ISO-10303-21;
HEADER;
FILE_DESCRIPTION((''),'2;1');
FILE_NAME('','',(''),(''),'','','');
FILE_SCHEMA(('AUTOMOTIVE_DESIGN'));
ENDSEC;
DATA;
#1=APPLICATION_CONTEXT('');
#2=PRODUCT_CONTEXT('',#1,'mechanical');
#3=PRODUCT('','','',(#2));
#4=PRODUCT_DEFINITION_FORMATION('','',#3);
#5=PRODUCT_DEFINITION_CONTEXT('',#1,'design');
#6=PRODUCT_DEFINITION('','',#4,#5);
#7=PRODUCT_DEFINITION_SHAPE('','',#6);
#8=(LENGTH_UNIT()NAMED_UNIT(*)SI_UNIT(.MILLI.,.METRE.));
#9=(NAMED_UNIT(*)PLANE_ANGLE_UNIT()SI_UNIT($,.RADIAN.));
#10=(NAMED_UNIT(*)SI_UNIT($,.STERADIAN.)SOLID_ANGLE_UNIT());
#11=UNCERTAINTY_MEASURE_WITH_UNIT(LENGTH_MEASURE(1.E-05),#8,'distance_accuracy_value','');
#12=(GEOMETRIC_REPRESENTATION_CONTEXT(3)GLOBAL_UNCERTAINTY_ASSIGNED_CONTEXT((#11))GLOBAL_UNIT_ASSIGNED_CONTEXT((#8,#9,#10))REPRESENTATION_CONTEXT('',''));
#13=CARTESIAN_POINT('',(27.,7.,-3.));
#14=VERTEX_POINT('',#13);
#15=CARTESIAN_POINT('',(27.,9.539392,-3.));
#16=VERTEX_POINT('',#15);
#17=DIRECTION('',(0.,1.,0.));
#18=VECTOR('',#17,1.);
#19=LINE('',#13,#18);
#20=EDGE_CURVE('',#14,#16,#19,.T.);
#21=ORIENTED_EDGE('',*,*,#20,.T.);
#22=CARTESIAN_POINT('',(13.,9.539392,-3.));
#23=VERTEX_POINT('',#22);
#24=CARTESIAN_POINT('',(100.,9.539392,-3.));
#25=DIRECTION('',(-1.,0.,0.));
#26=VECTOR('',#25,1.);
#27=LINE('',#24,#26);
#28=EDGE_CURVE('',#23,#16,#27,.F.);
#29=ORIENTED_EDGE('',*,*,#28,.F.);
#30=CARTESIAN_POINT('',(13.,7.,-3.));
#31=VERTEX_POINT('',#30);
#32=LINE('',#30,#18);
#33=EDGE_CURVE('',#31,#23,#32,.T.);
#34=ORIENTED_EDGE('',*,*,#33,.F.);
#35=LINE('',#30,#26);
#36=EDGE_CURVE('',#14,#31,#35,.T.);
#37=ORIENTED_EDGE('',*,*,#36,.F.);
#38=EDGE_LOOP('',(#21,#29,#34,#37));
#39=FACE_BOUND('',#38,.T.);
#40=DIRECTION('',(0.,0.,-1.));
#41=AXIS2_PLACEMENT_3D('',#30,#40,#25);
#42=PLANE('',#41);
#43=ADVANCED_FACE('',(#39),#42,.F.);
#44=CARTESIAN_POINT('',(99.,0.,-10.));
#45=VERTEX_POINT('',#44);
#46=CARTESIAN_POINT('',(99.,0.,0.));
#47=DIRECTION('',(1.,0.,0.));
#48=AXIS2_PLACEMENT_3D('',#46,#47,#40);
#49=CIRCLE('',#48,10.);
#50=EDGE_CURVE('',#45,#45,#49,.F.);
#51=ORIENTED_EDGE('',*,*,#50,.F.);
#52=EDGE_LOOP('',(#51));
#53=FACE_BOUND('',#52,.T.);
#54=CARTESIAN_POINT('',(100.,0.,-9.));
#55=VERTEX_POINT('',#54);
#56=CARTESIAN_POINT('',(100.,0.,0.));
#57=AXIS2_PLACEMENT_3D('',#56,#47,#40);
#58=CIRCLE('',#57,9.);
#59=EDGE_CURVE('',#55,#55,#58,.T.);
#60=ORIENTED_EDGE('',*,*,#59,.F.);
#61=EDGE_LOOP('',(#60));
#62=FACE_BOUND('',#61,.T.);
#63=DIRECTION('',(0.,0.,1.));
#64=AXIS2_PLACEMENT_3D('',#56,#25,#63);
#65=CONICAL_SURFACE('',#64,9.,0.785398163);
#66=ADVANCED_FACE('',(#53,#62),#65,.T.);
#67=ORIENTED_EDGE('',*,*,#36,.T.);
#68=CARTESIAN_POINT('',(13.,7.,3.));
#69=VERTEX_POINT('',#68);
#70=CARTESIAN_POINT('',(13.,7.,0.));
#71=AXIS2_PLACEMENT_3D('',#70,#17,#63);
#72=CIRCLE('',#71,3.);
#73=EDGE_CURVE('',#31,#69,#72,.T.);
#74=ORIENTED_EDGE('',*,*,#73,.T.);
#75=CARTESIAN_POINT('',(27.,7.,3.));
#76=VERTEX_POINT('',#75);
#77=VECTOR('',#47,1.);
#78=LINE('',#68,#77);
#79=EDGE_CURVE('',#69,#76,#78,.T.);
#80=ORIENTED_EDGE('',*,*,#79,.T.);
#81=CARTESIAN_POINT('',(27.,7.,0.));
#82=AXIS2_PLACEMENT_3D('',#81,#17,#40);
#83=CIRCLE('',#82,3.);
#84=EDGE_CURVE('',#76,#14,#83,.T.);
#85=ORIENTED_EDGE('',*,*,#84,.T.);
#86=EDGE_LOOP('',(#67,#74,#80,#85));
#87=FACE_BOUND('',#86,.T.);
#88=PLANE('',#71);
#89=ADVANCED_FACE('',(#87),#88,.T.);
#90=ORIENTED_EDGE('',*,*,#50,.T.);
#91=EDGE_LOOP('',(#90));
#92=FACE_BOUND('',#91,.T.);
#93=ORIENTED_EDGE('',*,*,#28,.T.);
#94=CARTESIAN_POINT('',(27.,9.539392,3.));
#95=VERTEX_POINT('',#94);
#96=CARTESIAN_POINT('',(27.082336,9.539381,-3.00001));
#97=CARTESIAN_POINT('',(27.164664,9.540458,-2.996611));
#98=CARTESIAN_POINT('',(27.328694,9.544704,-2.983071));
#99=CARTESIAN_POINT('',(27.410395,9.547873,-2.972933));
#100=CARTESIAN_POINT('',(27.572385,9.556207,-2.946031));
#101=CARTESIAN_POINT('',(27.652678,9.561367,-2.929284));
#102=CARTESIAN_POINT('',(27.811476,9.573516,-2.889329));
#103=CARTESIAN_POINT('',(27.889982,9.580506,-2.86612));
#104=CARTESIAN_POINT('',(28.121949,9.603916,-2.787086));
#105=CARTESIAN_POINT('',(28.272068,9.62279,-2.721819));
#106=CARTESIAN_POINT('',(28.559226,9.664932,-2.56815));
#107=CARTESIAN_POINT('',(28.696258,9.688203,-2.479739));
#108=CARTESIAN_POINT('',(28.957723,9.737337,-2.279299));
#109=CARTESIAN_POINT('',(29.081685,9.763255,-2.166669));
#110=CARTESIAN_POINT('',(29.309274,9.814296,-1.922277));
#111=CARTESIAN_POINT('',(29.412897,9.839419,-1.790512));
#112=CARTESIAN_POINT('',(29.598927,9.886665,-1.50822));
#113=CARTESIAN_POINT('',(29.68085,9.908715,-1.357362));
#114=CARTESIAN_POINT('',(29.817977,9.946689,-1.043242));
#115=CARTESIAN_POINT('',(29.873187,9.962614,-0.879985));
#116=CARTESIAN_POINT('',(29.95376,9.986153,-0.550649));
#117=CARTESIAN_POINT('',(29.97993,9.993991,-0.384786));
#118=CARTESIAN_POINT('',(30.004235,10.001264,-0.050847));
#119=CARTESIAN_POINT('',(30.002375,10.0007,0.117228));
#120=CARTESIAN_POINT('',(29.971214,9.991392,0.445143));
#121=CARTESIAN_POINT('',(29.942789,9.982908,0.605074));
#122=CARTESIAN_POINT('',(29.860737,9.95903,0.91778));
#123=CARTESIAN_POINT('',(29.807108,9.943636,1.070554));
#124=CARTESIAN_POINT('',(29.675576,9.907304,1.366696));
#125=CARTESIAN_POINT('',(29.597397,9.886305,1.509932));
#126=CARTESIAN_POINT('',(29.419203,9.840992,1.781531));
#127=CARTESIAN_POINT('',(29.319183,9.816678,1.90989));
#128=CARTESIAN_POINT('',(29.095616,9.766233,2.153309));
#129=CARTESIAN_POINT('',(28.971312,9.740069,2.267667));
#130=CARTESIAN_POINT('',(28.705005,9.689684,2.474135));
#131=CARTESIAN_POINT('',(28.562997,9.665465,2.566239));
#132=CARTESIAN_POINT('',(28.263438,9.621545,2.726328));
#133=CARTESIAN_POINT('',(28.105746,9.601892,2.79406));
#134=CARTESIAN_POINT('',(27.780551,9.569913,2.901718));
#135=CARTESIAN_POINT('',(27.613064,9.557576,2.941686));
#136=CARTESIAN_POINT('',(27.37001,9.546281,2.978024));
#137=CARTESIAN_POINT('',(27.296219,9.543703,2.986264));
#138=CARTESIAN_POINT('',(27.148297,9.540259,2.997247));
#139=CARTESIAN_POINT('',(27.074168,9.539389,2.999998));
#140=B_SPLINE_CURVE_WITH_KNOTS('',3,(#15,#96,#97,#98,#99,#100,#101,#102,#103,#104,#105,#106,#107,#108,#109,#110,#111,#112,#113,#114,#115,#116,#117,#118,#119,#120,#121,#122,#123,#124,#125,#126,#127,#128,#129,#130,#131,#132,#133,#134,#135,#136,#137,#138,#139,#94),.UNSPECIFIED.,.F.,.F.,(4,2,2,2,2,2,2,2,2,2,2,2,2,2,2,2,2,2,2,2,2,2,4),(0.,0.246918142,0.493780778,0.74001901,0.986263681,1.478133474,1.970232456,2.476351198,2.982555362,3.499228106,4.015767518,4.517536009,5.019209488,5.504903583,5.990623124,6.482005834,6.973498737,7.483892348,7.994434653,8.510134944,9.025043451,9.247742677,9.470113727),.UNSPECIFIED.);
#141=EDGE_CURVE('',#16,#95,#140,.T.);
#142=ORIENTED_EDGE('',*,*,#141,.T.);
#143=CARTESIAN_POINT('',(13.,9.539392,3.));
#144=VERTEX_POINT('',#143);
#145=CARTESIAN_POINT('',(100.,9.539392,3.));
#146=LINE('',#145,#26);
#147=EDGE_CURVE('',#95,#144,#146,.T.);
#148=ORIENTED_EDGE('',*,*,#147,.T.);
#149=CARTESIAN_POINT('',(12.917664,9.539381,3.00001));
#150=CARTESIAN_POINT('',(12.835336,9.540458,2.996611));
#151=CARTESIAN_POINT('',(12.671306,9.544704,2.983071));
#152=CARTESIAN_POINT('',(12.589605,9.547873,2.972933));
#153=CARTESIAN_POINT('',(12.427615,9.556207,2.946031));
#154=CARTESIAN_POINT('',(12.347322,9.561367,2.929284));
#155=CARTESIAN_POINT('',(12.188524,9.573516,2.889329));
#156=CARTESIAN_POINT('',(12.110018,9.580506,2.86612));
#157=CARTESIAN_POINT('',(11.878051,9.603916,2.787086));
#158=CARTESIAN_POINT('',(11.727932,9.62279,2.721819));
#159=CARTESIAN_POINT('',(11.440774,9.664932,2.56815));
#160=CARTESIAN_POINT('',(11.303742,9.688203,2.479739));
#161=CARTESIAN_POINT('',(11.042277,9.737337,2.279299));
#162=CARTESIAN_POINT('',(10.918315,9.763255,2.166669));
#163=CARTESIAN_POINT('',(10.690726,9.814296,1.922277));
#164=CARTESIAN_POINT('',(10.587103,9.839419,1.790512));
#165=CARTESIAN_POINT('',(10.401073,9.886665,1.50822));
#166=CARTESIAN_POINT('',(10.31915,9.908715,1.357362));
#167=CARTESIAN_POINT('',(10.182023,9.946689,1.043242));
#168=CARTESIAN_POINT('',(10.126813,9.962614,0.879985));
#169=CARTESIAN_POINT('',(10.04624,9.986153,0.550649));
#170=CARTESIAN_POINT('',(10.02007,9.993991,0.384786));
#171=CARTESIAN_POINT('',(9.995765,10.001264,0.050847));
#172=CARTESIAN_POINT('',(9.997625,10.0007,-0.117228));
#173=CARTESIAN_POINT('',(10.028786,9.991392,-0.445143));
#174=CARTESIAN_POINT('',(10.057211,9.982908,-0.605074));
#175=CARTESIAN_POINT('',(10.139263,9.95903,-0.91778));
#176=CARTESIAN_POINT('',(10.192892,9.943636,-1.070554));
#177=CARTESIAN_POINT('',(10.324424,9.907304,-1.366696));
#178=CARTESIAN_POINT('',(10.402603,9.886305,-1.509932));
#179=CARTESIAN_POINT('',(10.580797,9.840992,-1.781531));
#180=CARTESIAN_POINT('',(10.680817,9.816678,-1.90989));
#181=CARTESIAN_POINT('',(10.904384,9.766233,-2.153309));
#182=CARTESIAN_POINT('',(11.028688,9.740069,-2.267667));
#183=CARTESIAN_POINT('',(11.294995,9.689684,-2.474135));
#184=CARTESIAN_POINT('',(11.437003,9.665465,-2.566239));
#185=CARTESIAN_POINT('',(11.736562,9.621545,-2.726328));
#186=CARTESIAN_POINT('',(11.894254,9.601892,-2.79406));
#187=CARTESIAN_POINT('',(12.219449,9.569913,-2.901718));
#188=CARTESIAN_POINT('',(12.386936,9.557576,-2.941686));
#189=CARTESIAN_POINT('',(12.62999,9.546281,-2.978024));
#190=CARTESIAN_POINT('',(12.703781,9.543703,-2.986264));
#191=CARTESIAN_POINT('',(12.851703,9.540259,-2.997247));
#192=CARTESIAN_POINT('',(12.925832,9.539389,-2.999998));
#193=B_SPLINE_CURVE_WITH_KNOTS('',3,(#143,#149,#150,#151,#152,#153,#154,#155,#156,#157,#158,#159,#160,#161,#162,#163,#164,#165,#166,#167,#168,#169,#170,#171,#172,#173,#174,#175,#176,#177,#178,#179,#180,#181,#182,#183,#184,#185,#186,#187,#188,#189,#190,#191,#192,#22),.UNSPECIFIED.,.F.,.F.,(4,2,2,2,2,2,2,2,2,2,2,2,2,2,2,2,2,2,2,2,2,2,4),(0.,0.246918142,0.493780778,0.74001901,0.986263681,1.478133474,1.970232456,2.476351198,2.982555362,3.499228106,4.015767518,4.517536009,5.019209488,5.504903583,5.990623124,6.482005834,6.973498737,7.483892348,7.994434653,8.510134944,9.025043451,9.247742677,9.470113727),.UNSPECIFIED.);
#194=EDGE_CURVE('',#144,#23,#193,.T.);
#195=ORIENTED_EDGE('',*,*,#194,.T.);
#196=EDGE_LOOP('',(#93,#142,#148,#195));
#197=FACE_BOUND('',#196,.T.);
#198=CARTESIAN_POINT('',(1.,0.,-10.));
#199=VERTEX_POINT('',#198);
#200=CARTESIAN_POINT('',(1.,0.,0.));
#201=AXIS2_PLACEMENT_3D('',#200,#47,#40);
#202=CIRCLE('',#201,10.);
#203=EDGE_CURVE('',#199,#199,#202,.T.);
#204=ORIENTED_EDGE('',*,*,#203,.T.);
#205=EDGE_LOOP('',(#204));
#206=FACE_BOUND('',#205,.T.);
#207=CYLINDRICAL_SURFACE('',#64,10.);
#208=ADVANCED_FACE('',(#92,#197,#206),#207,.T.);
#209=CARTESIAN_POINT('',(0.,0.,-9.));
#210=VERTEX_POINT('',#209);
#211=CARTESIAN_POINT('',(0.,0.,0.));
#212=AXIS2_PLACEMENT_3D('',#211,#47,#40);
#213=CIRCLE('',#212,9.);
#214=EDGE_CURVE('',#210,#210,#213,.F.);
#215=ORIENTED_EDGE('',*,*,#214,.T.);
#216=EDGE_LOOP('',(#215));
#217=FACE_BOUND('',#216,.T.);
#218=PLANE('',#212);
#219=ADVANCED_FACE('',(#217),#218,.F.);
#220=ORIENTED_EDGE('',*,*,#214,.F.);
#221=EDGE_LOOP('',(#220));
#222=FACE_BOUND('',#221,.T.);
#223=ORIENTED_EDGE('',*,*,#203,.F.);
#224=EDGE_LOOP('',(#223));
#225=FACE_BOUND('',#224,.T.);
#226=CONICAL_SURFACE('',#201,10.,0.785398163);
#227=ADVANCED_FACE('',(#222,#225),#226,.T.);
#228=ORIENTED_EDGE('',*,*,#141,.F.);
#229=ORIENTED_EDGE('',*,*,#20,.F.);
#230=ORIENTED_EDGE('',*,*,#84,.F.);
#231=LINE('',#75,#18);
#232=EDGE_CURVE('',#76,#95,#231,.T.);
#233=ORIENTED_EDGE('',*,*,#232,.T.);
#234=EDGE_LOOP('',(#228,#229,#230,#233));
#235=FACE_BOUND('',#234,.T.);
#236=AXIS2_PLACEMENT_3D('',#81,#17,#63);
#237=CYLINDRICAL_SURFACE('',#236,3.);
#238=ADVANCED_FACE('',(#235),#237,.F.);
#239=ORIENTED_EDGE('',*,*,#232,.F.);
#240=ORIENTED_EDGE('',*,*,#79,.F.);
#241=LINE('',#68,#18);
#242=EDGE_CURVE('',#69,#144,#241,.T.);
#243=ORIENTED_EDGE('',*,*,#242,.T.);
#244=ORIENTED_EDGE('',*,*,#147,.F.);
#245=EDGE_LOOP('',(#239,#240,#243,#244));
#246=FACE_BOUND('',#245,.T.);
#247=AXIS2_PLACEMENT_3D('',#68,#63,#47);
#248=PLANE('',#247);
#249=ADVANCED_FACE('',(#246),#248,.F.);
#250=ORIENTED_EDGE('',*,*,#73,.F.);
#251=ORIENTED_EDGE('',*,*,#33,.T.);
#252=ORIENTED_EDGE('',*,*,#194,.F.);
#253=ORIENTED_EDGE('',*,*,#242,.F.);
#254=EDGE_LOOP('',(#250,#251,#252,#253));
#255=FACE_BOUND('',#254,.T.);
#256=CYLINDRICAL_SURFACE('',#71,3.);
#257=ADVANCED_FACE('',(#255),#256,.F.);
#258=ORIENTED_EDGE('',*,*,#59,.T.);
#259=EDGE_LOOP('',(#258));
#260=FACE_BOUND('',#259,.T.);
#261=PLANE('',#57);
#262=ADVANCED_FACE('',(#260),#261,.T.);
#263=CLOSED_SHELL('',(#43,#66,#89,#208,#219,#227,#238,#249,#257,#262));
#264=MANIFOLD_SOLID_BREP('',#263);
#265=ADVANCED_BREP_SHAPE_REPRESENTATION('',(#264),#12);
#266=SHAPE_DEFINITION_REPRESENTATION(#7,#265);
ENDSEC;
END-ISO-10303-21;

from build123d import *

# Parameters (mm, degrees)
SKETCH_1_R          = 10
EXTRUDE_1_DEPTH     = 100
CUT_EXTRUDE_1_DEPTH = 3
CHAMFER_1_SIZE      = 1
CHAMFER_2_SIZE      = 1


with BuildPart() as part:
    # 草图1 → 凸台-拉伸1 (new body)
    with BuildSketch(Plane(origin=(0, 0, 0), x_dir=(0, 0, -1), z_dir=(1, 0, 0))):
        Circle(SKETCH_1_R)
    extrude(amount=EXTRUDE_1_DEPTH)

    # 草图2 → 切除-拉伸1 (cut)
    with BuildSketch(Plane(origin=(0, 10, 0), x_dir=(1, 0, 0), z_dir=(0, 1, 0))):
        with BuildLine():
            Line((13, 3), (27, 3))
            ThreePointArc((27, 3), (30, 0), (27, -3))
            Line((27, -3), (13, -3))
            ThreePointArc((13, -3), (10, 0), (13, 3))
        make_face()
    extrude(amount=-CUT_EXTRUDE_1_DEPTH, mode=Mode.SUBTRACT)

    # 倒角1
    chamfer_1_edges = [part.edges().sort_by_distance(p)[0] for p in [
        (0, 0, 10),
    ]]
    chamfer(chamfer_1_edges, length=CHAMFER_1_SIZE)

    # 倒角2
    chamfer_2_edges = [part.edges().sort_by_distance(p)[0] for p in [
        (100, 0, 10),
    ]]
    chamfer(chamfer_2_edges, length=CHAMFER_2_SIZE)


solid = part.part
